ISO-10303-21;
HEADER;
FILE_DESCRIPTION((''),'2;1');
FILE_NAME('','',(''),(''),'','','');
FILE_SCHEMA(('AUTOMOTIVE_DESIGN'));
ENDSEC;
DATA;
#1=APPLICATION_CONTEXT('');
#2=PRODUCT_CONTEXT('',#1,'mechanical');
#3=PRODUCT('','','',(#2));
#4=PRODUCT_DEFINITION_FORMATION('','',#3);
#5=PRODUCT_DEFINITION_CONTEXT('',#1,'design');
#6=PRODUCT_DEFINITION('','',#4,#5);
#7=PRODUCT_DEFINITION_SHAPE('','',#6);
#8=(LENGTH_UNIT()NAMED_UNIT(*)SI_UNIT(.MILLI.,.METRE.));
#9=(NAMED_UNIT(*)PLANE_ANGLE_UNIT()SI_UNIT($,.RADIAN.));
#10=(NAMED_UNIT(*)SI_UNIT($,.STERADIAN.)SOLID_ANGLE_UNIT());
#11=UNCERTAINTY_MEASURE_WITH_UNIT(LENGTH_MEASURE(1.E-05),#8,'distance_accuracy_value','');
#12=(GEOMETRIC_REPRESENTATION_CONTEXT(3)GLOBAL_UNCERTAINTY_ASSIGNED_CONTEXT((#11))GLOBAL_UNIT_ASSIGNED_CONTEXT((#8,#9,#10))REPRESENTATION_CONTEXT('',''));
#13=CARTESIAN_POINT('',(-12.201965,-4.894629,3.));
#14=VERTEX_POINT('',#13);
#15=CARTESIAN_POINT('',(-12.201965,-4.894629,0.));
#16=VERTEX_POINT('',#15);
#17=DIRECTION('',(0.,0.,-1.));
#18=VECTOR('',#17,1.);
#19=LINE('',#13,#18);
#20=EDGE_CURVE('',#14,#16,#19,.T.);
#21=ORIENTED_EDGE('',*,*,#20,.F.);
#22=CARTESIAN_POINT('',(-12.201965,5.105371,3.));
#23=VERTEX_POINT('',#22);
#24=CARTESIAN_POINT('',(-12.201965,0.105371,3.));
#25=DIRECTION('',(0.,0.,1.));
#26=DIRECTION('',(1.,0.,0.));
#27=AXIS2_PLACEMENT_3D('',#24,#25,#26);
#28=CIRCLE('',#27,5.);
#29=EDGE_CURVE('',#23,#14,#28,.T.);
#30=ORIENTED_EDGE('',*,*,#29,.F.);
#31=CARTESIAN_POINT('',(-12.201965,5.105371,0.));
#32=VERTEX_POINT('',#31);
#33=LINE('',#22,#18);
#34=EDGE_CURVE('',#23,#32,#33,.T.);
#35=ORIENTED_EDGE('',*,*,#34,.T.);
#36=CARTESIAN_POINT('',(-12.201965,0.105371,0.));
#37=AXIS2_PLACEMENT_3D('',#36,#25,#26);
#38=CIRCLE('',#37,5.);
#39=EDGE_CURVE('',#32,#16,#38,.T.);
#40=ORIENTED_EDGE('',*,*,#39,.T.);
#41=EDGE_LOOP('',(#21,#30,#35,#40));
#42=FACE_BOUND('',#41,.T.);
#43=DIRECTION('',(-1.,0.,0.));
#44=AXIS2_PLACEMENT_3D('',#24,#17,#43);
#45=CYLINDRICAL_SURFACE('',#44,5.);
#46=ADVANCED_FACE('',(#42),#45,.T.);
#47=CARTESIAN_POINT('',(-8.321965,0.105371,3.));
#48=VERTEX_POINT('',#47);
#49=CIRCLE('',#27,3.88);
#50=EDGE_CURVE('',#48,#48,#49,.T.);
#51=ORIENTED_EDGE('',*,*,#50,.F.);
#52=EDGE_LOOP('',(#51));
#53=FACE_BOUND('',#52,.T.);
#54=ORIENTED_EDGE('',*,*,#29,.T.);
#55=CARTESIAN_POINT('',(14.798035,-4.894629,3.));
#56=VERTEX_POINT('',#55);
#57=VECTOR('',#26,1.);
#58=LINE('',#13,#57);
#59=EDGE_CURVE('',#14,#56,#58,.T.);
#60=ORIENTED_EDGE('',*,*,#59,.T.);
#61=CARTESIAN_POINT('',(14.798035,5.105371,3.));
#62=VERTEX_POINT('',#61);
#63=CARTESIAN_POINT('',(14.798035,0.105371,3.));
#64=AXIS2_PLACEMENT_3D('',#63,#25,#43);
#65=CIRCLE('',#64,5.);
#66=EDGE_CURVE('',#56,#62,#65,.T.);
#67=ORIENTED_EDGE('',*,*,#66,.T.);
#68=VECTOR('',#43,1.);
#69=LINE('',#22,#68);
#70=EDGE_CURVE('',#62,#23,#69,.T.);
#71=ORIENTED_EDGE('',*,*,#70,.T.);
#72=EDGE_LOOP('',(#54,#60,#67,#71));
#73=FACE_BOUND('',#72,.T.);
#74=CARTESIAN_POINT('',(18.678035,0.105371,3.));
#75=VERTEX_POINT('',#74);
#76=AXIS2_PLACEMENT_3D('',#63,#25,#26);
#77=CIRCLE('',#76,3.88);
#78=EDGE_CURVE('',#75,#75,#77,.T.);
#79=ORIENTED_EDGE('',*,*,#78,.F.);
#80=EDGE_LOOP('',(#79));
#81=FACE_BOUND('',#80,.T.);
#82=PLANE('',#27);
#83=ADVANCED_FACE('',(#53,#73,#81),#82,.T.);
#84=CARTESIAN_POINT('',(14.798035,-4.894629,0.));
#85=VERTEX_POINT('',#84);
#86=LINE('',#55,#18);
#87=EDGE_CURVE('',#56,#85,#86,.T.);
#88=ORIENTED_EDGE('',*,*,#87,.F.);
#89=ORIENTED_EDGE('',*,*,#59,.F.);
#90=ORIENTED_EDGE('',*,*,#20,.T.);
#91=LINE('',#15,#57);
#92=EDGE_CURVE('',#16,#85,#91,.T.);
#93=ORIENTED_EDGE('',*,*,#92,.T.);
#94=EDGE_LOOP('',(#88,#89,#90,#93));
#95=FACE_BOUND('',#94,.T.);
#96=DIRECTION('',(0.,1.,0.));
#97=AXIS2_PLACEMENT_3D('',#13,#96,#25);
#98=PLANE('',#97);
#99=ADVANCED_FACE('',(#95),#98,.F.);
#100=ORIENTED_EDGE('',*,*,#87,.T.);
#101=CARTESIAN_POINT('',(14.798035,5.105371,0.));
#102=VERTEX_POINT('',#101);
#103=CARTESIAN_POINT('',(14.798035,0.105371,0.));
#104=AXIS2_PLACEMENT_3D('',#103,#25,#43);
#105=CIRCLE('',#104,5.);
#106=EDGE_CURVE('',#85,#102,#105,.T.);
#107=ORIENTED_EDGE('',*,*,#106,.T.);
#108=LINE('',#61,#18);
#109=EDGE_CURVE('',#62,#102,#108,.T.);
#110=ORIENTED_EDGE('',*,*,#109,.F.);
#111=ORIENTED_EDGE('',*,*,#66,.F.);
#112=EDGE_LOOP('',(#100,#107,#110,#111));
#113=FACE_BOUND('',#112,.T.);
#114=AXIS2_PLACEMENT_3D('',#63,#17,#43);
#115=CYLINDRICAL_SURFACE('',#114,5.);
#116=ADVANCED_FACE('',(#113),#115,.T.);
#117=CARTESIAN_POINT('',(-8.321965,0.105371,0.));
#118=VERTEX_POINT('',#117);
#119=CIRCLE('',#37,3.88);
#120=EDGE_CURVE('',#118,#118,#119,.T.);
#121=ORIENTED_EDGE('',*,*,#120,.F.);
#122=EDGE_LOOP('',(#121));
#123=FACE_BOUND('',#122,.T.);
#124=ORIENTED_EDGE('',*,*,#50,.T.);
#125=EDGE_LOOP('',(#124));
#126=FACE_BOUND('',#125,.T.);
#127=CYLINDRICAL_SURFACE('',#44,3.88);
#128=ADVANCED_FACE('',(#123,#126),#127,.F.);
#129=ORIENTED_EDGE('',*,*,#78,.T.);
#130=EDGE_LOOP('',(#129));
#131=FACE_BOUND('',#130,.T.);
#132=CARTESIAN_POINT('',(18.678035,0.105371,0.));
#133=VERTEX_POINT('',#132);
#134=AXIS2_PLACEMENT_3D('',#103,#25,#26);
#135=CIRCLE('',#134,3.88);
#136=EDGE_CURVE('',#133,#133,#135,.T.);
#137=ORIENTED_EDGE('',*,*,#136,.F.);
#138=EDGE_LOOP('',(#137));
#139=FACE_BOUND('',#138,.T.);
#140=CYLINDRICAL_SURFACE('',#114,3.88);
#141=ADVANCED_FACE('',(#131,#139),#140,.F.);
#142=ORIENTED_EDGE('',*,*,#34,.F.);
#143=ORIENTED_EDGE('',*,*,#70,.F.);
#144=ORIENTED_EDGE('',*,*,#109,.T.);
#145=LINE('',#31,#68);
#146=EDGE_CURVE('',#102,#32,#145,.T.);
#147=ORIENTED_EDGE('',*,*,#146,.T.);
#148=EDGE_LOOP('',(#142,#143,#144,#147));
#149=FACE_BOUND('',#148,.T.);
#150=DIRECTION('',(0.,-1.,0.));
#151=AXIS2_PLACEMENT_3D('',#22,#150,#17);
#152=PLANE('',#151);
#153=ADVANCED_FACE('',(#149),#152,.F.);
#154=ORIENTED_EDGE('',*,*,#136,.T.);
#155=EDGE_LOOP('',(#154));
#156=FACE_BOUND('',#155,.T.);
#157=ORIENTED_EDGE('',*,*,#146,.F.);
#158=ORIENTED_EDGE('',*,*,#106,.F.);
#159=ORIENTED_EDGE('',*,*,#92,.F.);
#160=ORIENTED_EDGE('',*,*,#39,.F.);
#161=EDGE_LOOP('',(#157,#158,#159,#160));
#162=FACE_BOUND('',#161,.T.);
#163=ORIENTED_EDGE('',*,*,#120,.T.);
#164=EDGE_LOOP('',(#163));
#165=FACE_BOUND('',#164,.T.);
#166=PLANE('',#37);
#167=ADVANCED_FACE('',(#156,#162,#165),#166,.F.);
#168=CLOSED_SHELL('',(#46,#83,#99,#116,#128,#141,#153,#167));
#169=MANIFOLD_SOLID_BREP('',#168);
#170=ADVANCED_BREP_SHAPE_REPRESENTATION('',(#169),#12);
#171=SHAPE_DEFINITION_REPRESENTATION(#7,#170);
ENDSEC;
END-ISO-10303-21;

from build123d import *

# Parameters (mm, degrees)
SKETCH1_R           = 3.88
BOSS_EXTRUDE1_DEPTH = 3


with BuildPart() as part:
    # Sketch1 → Boss-Extrude1 (new body)
    with BuildSketch(Plane.XY):
        with BuildLine():
            Line((-12.201965406, -4.894629499), (14.798034594, -4.894629499))
            ThreePointArc((14.798034594, -4.894629499), (19.798034594, 0.105370501), (14.798034594, 5.105370501))
            Line((14.798034594, 5.105370501), (-12.201965406, 5.105370501))
            ThreePointArc((-12.201965406, 5.105370501), (-17.201965406, 0.105370501), (-12.201965406, -4.894629499))
        make_face()
        with Locations((-12.201965406, 0.105370501)):
            Circle(SKETCH1_R, mode=Mode.SUBTRACT)
        with Locations((14.798034594, 0.105370501)):
            Circle(SKETCH1_R, mode=Mode.SUBTRACT)
    extrude(amount=BOSS_EXTRUDE1_DEPTH)


solid = part.part
